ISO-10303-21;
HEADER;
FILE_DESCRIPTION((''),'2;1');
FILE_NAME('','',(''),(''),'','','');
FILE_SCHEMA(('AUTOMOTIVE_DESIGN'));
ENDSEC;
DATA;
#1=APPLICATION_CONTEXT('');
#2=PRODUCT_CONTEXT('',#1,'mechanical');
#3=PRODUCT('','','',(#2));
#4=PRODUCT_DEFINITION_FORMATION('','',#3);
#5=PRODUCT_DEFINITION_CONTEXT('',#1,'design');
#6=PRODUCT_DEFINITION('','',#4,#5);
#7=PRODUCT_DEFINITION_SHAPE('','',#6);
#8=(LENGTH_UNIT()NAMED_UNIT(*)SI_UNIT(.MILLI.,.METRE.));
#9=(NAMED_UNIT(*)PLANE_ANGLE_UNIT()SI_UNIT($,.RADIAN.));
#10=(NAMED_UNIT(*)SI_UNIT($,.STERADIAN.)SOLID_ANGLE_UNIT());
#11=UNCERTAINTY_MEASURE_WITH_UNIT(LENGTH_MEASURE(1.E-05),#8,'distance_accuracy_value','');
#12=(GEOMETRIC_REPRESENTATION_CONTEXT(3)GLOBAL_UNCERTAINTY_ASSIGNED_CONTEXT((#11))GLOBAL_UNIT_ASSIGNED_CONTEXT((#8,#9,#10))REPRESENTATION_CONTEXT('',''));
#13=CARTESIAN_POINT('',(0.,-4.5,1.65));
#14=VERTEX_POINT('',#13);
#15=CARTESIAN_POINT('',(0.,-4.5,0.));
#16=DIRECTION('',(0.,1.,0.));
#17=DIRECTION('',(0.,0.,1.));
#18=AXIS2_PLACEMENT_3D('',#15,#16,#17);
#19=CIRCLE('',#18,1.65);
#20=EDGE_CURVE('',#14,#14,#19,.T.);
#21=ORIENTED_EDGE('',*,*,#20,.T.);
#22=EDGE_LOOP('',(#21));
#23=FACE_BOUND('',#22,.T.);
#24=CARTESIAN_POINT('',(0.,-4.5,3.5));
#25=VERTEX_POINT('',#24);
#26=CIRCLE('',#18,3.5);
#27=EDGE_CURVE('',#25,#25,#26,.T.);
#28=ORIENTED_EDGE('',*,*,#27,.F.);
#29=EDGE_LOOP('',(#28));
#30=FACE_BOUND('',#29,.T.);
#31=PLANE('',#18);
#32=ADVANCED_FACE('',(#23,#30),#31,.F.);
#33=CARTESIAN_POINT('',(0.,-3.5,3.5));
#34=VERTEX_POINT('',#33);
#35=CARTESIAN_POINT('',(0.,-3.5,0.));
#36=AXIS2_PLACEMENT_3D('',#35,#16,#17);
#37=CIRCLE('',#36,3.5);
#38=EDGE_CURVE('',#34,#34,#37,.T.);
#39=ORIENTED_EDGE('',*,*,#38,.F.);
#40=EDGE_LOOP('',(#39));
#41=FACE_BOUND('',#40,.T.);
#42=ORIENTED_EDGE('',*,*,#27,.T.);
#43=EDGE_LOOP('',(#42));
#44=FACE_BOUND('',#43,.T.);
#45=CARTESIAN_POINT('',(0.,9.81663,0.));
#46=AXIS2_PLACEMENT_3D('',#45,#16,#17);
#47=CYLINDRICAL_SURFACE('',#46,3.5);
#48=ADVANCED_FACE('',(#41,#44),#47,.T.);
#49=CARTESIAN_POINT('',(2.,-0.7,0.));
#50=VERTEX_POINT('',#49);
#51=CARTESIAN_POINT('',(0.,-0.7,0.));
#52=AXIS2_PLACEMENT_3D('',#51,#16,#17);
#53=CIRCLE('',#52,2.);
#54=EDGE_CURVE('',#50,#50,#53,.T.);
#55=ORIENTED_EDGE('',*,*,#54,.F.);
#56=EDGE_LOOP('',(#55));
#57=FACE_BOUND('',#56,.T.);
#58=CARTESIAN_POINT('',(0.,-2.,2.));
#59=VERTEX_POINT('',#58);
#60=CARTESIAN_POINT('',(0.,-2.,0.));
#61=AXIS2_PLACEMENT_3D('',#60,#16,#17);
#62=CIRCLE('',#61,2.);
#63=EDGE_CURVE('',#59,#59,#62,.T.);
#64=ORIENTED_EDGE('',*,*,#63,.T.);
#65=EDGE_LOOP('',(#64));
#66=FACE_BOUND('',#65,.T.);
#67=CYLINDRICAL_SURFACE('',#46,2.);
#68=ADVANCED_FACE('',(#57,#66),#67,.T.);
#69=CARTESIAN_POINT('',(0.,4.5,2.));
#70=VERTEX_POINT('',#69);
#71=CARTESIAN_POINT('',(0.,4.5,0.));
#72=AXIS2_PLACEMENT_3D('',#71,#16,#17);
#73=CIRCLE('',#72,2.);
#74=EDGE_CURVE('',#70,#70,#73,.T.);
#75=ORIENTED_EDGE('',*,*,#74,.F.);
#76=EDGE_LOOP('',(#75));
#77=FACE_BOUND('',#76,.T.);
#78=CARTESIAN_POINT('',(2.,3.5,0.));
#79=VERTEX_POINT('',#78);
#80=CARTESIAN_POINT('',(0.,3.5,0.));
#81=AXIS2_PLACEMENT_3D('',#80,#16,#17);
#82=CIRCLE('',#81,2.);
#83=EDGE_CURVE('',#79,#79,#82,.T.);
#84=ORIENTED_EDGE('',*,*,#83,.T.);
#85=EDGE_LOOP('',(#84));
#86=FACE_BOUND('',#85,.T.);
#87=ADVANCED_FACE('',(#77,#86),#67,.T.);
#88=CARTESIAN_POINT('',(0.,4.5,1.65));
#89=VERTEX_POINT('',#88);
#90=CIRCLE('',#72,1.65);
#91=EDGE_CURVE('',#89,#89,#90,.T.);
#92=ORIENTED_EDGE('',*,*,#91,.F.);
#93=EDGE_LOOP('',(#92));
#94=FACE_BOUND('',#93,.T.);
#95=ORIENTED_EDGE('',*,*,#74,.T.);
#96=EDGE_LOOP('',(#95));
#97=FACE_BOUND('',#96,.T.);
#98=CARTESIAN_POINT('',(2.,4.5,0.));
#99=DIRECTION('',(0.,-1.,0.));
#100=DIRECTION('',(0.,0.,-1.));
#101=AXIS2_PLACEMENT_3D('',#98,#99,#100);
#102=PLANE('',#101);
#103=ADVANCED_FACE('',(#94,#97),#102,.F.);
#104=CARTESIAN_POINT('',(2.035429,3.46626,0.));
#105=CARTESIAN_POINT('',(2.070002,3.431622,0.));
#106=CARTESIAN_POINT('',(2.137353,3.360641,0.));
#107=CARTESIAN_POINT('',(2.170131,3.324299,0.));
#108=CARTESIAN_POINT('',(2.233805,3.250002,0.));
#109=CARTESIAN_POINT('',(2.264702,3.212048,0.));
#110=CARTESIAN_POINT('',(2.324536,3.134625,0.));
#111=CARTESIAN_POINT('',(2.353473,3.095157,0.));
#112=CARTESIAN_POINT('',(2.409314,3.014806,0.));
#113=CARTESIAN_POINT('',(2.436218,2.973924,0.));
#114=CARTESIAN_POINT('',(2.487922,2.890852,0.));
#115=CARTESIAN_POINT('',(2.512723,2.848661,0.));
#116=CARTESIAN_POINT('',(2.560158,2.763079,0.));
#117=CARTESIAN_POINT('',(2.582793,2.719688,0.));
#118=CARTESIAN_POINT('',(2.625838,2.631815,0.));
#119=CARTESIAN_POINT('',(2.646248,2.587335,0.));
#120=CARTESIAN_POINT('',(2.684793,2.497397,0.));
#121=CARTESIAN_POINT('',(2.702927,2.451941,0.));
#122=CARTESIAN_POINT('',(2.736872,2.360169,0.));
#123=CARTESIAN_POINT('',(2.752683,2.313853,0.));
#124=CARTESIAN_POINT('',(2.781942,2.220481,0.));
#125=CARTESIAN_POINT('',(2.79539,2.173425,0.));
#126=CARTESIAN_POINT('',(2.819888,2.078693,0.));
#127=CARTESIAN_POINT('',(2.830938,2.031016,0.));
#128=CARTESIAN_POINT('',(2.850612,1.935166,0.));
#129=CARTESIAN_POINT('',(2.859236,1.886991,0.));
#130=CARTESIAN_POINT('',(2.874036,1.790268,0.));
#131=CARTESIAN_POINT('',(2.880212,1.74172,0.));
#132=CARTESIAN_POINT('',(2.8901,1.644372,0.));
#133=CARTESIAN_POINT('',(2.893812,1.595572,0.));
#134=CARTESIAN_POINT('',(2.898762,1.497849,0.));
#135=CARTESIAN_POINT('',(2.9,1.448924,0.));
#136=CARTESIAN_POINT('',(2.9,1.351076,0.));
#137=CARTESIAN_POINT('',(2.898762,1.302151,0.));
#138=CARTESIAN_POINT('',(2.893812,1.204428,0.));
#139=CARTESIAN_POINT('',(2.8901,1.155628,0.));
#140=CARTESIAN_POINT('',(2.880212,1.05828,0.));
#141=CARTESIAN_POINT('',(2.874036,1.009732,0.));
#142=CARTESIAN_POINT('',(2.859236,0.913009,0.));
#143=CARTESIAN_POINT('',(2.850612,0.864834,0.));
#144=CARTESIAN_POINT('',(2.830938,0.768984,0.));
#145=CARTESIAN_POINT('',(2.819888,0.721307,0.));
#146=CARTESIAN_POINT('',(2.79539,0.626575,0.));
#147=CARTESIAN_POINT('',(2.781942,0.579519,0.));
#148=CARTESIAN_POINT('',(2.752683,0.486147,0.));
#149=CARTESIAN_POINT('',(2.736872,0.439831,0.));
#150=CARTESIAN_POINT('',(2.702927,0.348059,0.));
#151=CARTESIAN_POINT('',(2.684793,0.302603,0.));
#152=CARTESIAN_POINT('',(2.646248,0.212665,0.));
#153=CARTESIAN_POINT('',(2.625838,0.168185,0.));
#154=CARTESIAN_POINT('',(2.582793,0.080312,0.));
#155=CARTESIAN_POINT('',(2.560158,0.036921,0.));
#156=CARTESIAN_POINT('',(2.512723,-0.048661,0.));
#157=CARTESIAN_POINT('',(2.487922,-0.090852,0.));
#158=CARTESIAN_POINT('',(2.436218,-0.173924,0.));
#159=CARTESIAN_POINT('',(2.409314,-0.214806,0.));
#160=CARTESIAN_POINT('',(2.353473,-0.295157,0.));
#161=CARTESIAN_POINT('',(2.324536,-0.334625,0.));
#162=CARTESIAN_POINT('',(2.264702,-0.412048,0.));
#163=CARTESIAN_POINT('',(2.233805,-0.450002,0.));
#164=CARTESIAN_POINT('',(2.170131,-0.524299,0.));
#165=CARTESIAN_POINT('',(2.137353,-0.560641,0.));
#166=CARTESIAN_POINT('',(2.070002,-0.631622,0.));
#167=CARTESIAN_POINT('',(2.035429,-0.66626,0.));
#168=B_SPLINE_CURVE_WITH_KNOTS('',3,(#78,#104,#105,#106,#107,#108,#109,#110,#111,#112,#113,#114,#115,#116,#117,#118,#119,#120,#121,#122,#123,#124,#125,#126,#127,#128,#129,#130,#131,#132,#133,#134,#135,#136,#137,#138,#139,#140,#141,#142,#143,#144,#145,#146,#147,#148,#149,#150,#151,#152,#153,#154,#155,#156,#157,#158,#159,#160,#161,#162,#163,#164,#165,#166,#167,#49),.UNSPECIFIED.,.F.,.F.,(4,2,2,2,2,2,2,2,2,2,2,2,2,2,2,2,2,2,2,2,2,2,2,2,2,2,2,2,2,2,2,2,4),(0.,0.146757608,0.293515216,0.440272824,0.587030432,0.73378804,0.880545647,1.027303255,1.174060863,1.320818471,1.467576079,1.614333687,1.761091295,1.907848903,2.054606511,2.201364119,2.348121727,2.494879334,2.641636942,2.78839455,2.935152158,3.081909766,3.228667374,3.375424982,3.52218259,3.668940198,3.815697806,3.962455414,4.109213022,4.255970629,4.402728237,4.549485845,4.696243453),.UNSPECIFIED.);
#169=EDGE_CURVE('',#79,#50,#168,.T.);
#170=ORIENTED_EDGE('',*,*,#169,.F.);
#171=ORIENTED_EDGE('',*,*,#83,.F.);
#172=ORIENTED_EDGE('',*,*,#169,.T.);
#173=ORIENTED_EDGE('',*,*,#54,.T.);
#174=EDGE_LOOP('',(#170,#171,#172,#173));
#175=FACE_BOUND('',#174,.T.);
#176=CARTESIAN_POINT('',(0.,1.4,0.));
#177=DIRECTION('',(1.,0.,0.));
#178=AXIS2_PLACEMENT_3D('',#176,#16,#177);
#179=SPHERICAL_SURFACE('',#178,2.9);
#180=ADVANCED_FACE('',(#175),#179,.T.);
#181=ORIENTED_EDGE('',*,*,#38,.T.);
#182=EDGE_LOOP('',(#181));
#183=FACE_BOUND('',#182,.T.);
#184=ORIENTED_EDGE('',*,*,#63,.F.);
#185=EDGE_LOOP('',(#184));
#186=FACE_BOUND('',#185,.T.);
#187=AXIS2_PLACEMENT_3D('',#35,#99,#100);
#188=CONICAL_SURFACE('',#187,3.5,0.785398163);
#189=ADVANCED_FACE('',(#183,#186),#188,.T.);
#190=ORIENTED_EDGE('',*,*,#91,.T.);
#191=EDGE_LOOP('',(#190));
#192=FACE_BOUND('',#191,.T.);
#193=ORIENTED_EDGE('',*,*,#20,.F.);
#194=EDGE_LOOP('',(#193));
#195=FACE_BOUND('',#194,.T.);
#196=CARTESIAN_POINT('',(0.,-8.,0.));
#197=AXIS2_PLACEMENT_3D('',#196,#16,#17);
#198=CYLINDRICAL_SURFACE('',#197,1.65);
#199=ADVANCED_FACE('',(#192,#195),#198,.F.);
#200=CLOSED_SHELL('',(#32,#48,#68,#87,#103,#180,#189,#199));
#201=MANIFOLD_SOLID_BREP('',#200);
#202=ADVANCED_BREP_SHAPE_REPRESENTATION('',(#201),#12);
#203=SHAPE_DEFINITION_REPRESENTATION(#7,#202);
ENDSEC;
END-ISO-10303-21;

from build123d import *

# Parameters (mm, degrees)
SKETCH2_R          = 1.65
CUT_EXTRUDE1_DEPTH = 12.5


with BuildPart() as part:
    # Sketch1 → Revolve1 (revolve)
    with BuildSketch(Plane.XY, mode=Mode.PRIVATE) as revolve1_sk:
        with BuildLine():
            Line((0, 4.5), (0, -4.5))
            Line((0, -4.5), (3.5, -4.5))
            Line((3.5, -4.5), (3.5, -3.5))
            Line((3.5, -3.5), (2, -2))
            Line((2, -2), (2, -0.7))
            ThreePointArc((2, -0.7), (2.9, 1.4), (2, 3.5))
            Line((2, 3.5), (2, 4.5))
            Line((2, 4.5), (0, 4.5))
        make_face()
    revolve(revolve1_sk.sketch.rotate(Axis((0, 9.816629846, 0), (0, -1, 0)), 90), axis=Axis((0, 9.816629846, 0), (0, -1, 0)))

    # Sketch2 → Cut-Extrude1 (cut)
    with BuildSketch(Plane(origin=(0, 4.5, 0), x_dir=(1, 0, 0), z_dir=(0, 1, 0))):
        with Locations(Location((0, 0, 0), (0, 0, 270))):
            Circle(SKETCH2_R)
    extrude(amount=-CUT_EXTRUDE1_DEPTH, mode=Mode.SUBTRACT)


solid = part.part
